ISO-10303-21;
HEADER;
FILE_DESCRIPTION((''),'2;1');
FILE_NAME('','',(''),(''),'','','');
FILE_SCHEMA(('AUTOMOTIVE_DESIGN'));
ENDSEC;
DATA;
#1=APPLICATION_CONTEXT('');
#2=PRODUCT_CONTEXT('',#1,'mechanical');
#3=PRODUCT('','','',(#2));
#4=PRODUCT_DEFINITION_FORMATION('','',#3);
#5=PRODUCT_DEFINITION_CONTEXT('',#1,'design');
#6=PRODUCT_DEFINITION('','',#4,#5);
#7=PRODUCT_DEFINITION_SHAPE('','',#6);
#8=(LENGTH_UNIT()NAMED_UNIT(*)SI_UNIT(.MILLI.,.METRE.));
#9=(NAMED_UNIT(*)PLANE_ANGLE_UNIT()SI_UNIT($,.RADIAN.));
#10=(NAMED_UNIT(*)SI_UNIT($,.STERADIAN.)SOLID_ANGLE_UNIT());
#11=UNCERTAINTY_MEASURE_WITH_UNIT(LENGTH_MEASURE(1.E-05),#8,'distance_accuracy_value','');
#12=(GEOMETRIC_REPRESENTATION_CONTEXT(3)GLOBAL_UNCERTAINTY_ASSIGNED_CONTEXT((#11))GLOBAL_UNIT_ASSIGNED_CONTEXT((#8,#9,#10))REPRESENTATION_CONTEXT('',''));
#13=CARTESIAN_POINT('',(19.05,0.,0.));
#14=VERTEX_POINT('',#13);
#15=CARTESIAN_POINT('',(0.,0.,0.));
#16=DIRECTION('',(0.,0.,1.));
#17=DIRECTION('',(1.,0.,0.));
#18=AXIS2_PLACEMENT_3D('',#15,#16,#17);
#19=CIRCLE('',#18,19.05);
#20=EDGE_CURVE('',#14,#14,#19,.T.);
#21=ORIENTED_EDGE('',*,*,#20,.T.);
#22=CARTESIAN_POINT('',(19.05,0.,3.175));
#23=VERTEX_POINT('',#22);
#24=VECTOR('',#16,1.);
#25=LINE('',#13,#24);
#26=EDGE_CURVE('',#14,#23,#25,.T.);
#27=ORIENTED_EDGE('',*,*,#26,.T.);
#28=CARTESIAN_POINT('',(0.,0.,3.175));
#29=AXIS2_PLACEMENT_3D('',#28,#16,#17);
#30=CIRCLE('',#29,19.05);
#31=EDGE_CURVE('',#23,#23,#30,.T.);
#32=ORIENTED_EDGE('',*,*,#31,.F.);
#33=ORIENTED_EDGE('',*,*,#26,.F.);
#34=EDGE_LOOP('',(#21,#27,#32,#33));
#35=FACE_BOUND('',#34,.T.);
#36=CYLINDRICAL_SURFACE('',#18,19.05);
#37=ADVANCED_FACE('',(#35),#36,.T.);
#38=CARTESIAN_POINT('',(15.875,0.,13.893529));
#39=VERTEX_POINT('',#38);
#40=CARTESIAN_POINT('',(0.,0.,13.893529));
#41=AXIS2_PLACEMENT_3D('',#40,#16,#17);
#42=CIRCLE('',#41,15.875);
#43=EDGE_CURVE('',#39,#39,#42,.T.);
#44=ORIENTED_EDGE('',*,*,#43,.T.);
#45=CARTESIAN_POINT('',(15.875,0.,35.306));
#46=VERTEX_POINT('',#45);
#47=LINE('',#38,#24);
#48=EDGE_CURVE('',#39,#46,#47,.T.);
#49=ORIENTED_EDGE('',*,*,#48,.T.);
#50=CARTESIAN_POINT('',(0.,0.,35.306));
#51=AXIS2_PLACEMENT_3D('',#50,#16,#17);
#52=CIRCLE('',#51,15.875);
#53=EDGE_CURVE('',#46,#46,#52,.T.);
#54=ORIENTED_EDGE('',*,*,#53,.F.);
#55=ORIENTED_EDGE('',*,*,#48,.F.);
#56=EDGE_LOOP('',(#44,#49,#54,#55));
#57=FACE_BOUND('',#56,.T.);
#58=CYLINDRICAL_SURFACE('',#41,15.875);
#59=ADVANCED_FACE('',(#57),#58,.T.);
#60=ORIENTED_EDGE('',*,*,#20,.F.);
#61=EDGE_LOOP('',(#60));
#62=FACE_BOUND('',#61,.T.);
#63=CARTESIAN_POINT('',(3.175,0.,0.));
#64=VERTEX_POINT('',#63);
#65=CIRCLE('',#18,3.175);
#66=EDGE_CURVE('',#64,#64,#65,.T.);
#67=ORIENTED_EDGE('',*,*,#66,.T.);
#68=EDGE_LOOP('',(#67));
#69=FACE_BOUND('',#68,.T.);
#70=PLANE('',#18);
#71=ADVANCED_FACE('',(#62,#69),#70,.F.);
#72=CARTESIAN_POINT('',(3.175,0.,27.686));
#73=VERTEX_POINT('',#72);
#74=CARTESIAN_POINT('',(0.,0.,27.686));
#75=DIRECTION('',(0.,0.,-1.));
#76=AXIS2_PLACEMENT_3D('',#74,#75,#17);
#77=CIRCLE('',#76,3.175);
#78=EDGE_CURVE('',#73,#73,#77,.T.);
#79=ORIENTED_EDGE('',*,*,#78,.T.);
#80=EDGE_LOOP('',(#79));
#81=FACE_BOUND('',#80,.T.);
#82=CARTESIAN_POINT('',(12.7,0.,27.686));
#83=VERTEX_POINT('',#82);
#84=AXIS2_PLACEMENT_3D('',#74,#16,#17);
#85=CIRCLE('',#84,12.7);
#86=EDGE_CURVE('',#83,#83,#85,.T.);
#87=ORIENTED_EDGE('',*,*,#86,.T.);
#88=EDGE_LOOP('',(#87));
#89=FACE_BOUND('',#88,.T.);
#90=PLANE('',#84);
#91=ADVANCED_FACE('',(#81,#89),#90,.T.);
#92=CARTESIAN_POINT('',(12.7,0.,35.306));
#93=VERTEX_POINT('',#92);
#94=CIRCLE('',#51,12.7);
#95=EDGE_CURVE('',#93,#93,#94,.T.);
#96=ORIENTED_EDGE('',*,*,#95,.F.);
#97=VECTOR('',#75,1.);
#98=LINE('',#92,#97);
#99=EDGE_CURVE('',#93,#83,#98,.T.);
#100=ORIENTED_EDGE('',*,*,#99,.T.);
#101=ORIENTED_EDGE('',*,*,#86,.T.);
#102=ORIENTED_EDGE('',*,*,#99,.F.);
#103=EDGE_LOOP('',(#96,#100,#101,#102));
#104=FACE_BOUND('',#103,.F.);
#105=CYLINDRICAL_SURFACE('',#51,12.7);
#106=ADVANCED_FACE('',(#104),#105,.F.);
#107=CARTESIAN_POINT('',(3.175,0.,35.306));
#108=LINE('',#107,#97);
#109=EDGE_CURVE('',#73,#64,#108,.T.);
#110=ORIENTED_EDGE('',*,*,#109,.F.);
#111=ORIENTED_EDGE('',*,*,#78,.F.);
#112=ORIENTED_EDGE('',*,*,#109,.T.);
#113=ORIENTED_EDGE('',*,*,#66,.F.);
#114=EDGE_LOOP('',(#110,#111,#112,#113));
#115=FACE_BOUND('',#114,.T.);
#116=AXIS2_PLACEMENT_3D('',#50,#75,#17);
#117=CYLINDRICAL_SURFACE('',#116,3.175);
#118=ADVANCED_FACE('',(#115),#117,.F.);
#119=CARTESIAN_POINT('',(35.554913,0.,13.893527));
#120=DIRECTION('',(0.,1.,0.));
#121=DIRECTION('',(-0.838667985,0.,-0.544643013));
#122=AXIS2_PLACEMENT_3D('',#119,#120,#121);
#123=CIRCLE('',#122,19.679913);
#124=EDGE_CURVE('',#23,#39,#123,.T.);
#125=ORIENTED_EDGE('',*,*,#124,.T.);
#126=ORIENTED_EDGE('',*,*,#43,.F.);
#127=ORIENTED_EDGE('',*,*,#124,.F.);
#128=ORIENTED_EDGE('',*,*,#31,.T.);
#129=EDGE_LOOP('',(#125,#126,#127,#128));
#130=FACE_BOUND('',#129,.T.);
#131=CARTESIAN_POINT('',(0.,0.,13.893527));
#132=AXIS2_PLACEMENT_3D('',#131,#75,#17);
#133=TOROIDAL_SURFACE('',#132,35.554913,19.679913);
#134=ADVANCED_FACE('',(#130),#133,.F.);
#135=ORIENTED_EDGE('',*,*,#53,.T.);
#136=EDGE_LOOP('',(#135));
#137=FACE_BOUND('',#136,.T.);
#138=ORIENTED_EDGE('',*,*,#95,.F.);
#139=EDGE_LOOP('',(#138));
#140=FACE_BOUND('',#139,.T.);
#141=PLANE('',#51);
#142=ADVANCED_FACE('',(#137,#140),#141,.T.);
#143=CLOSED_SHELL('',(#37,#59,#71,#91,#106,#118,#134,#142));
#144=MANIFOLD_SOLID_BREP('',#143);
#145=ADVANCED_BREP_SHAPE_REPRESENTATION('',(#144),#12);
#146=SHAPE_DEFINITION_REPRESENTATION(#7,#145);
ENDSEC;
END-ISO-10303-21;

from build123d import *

# Parameters (mm, degrees)
F2_R     = 12.7
F3_DEPTH = 7.62


with BuildPart() as f1:
    # F0 (on Front) → F1 (revolve)
    with BuildSketch(Plane.XZ):
        with BuildLine():
            Line((15.875, 35.306), (3.175, 35.306))
            Line((3.175, 35.306), (3.175, 0))
            Line((3.175, 0), (19.05, 0))
            Line((19.05, 0), (19.05, 3.175))
            ThreePointArc((19.05, 3.175), (16.685437, 8.304086), (15.875, 13.893529))
            Line((15.875, 13.893529), (15.875, 35.306))
        make_face()
    revolve(axis=Axis((0, 0, 26.439369), (0, 0, 1)))

    # F2 (on face) → F3 (cut)
    with BuildSketch(Plane.XY.offset(35.306)):
        Circle(F2_R)
    extrude(amount=-F3_DEPTH, mode=Mode.SUBTRACT)


solid = f1.part
